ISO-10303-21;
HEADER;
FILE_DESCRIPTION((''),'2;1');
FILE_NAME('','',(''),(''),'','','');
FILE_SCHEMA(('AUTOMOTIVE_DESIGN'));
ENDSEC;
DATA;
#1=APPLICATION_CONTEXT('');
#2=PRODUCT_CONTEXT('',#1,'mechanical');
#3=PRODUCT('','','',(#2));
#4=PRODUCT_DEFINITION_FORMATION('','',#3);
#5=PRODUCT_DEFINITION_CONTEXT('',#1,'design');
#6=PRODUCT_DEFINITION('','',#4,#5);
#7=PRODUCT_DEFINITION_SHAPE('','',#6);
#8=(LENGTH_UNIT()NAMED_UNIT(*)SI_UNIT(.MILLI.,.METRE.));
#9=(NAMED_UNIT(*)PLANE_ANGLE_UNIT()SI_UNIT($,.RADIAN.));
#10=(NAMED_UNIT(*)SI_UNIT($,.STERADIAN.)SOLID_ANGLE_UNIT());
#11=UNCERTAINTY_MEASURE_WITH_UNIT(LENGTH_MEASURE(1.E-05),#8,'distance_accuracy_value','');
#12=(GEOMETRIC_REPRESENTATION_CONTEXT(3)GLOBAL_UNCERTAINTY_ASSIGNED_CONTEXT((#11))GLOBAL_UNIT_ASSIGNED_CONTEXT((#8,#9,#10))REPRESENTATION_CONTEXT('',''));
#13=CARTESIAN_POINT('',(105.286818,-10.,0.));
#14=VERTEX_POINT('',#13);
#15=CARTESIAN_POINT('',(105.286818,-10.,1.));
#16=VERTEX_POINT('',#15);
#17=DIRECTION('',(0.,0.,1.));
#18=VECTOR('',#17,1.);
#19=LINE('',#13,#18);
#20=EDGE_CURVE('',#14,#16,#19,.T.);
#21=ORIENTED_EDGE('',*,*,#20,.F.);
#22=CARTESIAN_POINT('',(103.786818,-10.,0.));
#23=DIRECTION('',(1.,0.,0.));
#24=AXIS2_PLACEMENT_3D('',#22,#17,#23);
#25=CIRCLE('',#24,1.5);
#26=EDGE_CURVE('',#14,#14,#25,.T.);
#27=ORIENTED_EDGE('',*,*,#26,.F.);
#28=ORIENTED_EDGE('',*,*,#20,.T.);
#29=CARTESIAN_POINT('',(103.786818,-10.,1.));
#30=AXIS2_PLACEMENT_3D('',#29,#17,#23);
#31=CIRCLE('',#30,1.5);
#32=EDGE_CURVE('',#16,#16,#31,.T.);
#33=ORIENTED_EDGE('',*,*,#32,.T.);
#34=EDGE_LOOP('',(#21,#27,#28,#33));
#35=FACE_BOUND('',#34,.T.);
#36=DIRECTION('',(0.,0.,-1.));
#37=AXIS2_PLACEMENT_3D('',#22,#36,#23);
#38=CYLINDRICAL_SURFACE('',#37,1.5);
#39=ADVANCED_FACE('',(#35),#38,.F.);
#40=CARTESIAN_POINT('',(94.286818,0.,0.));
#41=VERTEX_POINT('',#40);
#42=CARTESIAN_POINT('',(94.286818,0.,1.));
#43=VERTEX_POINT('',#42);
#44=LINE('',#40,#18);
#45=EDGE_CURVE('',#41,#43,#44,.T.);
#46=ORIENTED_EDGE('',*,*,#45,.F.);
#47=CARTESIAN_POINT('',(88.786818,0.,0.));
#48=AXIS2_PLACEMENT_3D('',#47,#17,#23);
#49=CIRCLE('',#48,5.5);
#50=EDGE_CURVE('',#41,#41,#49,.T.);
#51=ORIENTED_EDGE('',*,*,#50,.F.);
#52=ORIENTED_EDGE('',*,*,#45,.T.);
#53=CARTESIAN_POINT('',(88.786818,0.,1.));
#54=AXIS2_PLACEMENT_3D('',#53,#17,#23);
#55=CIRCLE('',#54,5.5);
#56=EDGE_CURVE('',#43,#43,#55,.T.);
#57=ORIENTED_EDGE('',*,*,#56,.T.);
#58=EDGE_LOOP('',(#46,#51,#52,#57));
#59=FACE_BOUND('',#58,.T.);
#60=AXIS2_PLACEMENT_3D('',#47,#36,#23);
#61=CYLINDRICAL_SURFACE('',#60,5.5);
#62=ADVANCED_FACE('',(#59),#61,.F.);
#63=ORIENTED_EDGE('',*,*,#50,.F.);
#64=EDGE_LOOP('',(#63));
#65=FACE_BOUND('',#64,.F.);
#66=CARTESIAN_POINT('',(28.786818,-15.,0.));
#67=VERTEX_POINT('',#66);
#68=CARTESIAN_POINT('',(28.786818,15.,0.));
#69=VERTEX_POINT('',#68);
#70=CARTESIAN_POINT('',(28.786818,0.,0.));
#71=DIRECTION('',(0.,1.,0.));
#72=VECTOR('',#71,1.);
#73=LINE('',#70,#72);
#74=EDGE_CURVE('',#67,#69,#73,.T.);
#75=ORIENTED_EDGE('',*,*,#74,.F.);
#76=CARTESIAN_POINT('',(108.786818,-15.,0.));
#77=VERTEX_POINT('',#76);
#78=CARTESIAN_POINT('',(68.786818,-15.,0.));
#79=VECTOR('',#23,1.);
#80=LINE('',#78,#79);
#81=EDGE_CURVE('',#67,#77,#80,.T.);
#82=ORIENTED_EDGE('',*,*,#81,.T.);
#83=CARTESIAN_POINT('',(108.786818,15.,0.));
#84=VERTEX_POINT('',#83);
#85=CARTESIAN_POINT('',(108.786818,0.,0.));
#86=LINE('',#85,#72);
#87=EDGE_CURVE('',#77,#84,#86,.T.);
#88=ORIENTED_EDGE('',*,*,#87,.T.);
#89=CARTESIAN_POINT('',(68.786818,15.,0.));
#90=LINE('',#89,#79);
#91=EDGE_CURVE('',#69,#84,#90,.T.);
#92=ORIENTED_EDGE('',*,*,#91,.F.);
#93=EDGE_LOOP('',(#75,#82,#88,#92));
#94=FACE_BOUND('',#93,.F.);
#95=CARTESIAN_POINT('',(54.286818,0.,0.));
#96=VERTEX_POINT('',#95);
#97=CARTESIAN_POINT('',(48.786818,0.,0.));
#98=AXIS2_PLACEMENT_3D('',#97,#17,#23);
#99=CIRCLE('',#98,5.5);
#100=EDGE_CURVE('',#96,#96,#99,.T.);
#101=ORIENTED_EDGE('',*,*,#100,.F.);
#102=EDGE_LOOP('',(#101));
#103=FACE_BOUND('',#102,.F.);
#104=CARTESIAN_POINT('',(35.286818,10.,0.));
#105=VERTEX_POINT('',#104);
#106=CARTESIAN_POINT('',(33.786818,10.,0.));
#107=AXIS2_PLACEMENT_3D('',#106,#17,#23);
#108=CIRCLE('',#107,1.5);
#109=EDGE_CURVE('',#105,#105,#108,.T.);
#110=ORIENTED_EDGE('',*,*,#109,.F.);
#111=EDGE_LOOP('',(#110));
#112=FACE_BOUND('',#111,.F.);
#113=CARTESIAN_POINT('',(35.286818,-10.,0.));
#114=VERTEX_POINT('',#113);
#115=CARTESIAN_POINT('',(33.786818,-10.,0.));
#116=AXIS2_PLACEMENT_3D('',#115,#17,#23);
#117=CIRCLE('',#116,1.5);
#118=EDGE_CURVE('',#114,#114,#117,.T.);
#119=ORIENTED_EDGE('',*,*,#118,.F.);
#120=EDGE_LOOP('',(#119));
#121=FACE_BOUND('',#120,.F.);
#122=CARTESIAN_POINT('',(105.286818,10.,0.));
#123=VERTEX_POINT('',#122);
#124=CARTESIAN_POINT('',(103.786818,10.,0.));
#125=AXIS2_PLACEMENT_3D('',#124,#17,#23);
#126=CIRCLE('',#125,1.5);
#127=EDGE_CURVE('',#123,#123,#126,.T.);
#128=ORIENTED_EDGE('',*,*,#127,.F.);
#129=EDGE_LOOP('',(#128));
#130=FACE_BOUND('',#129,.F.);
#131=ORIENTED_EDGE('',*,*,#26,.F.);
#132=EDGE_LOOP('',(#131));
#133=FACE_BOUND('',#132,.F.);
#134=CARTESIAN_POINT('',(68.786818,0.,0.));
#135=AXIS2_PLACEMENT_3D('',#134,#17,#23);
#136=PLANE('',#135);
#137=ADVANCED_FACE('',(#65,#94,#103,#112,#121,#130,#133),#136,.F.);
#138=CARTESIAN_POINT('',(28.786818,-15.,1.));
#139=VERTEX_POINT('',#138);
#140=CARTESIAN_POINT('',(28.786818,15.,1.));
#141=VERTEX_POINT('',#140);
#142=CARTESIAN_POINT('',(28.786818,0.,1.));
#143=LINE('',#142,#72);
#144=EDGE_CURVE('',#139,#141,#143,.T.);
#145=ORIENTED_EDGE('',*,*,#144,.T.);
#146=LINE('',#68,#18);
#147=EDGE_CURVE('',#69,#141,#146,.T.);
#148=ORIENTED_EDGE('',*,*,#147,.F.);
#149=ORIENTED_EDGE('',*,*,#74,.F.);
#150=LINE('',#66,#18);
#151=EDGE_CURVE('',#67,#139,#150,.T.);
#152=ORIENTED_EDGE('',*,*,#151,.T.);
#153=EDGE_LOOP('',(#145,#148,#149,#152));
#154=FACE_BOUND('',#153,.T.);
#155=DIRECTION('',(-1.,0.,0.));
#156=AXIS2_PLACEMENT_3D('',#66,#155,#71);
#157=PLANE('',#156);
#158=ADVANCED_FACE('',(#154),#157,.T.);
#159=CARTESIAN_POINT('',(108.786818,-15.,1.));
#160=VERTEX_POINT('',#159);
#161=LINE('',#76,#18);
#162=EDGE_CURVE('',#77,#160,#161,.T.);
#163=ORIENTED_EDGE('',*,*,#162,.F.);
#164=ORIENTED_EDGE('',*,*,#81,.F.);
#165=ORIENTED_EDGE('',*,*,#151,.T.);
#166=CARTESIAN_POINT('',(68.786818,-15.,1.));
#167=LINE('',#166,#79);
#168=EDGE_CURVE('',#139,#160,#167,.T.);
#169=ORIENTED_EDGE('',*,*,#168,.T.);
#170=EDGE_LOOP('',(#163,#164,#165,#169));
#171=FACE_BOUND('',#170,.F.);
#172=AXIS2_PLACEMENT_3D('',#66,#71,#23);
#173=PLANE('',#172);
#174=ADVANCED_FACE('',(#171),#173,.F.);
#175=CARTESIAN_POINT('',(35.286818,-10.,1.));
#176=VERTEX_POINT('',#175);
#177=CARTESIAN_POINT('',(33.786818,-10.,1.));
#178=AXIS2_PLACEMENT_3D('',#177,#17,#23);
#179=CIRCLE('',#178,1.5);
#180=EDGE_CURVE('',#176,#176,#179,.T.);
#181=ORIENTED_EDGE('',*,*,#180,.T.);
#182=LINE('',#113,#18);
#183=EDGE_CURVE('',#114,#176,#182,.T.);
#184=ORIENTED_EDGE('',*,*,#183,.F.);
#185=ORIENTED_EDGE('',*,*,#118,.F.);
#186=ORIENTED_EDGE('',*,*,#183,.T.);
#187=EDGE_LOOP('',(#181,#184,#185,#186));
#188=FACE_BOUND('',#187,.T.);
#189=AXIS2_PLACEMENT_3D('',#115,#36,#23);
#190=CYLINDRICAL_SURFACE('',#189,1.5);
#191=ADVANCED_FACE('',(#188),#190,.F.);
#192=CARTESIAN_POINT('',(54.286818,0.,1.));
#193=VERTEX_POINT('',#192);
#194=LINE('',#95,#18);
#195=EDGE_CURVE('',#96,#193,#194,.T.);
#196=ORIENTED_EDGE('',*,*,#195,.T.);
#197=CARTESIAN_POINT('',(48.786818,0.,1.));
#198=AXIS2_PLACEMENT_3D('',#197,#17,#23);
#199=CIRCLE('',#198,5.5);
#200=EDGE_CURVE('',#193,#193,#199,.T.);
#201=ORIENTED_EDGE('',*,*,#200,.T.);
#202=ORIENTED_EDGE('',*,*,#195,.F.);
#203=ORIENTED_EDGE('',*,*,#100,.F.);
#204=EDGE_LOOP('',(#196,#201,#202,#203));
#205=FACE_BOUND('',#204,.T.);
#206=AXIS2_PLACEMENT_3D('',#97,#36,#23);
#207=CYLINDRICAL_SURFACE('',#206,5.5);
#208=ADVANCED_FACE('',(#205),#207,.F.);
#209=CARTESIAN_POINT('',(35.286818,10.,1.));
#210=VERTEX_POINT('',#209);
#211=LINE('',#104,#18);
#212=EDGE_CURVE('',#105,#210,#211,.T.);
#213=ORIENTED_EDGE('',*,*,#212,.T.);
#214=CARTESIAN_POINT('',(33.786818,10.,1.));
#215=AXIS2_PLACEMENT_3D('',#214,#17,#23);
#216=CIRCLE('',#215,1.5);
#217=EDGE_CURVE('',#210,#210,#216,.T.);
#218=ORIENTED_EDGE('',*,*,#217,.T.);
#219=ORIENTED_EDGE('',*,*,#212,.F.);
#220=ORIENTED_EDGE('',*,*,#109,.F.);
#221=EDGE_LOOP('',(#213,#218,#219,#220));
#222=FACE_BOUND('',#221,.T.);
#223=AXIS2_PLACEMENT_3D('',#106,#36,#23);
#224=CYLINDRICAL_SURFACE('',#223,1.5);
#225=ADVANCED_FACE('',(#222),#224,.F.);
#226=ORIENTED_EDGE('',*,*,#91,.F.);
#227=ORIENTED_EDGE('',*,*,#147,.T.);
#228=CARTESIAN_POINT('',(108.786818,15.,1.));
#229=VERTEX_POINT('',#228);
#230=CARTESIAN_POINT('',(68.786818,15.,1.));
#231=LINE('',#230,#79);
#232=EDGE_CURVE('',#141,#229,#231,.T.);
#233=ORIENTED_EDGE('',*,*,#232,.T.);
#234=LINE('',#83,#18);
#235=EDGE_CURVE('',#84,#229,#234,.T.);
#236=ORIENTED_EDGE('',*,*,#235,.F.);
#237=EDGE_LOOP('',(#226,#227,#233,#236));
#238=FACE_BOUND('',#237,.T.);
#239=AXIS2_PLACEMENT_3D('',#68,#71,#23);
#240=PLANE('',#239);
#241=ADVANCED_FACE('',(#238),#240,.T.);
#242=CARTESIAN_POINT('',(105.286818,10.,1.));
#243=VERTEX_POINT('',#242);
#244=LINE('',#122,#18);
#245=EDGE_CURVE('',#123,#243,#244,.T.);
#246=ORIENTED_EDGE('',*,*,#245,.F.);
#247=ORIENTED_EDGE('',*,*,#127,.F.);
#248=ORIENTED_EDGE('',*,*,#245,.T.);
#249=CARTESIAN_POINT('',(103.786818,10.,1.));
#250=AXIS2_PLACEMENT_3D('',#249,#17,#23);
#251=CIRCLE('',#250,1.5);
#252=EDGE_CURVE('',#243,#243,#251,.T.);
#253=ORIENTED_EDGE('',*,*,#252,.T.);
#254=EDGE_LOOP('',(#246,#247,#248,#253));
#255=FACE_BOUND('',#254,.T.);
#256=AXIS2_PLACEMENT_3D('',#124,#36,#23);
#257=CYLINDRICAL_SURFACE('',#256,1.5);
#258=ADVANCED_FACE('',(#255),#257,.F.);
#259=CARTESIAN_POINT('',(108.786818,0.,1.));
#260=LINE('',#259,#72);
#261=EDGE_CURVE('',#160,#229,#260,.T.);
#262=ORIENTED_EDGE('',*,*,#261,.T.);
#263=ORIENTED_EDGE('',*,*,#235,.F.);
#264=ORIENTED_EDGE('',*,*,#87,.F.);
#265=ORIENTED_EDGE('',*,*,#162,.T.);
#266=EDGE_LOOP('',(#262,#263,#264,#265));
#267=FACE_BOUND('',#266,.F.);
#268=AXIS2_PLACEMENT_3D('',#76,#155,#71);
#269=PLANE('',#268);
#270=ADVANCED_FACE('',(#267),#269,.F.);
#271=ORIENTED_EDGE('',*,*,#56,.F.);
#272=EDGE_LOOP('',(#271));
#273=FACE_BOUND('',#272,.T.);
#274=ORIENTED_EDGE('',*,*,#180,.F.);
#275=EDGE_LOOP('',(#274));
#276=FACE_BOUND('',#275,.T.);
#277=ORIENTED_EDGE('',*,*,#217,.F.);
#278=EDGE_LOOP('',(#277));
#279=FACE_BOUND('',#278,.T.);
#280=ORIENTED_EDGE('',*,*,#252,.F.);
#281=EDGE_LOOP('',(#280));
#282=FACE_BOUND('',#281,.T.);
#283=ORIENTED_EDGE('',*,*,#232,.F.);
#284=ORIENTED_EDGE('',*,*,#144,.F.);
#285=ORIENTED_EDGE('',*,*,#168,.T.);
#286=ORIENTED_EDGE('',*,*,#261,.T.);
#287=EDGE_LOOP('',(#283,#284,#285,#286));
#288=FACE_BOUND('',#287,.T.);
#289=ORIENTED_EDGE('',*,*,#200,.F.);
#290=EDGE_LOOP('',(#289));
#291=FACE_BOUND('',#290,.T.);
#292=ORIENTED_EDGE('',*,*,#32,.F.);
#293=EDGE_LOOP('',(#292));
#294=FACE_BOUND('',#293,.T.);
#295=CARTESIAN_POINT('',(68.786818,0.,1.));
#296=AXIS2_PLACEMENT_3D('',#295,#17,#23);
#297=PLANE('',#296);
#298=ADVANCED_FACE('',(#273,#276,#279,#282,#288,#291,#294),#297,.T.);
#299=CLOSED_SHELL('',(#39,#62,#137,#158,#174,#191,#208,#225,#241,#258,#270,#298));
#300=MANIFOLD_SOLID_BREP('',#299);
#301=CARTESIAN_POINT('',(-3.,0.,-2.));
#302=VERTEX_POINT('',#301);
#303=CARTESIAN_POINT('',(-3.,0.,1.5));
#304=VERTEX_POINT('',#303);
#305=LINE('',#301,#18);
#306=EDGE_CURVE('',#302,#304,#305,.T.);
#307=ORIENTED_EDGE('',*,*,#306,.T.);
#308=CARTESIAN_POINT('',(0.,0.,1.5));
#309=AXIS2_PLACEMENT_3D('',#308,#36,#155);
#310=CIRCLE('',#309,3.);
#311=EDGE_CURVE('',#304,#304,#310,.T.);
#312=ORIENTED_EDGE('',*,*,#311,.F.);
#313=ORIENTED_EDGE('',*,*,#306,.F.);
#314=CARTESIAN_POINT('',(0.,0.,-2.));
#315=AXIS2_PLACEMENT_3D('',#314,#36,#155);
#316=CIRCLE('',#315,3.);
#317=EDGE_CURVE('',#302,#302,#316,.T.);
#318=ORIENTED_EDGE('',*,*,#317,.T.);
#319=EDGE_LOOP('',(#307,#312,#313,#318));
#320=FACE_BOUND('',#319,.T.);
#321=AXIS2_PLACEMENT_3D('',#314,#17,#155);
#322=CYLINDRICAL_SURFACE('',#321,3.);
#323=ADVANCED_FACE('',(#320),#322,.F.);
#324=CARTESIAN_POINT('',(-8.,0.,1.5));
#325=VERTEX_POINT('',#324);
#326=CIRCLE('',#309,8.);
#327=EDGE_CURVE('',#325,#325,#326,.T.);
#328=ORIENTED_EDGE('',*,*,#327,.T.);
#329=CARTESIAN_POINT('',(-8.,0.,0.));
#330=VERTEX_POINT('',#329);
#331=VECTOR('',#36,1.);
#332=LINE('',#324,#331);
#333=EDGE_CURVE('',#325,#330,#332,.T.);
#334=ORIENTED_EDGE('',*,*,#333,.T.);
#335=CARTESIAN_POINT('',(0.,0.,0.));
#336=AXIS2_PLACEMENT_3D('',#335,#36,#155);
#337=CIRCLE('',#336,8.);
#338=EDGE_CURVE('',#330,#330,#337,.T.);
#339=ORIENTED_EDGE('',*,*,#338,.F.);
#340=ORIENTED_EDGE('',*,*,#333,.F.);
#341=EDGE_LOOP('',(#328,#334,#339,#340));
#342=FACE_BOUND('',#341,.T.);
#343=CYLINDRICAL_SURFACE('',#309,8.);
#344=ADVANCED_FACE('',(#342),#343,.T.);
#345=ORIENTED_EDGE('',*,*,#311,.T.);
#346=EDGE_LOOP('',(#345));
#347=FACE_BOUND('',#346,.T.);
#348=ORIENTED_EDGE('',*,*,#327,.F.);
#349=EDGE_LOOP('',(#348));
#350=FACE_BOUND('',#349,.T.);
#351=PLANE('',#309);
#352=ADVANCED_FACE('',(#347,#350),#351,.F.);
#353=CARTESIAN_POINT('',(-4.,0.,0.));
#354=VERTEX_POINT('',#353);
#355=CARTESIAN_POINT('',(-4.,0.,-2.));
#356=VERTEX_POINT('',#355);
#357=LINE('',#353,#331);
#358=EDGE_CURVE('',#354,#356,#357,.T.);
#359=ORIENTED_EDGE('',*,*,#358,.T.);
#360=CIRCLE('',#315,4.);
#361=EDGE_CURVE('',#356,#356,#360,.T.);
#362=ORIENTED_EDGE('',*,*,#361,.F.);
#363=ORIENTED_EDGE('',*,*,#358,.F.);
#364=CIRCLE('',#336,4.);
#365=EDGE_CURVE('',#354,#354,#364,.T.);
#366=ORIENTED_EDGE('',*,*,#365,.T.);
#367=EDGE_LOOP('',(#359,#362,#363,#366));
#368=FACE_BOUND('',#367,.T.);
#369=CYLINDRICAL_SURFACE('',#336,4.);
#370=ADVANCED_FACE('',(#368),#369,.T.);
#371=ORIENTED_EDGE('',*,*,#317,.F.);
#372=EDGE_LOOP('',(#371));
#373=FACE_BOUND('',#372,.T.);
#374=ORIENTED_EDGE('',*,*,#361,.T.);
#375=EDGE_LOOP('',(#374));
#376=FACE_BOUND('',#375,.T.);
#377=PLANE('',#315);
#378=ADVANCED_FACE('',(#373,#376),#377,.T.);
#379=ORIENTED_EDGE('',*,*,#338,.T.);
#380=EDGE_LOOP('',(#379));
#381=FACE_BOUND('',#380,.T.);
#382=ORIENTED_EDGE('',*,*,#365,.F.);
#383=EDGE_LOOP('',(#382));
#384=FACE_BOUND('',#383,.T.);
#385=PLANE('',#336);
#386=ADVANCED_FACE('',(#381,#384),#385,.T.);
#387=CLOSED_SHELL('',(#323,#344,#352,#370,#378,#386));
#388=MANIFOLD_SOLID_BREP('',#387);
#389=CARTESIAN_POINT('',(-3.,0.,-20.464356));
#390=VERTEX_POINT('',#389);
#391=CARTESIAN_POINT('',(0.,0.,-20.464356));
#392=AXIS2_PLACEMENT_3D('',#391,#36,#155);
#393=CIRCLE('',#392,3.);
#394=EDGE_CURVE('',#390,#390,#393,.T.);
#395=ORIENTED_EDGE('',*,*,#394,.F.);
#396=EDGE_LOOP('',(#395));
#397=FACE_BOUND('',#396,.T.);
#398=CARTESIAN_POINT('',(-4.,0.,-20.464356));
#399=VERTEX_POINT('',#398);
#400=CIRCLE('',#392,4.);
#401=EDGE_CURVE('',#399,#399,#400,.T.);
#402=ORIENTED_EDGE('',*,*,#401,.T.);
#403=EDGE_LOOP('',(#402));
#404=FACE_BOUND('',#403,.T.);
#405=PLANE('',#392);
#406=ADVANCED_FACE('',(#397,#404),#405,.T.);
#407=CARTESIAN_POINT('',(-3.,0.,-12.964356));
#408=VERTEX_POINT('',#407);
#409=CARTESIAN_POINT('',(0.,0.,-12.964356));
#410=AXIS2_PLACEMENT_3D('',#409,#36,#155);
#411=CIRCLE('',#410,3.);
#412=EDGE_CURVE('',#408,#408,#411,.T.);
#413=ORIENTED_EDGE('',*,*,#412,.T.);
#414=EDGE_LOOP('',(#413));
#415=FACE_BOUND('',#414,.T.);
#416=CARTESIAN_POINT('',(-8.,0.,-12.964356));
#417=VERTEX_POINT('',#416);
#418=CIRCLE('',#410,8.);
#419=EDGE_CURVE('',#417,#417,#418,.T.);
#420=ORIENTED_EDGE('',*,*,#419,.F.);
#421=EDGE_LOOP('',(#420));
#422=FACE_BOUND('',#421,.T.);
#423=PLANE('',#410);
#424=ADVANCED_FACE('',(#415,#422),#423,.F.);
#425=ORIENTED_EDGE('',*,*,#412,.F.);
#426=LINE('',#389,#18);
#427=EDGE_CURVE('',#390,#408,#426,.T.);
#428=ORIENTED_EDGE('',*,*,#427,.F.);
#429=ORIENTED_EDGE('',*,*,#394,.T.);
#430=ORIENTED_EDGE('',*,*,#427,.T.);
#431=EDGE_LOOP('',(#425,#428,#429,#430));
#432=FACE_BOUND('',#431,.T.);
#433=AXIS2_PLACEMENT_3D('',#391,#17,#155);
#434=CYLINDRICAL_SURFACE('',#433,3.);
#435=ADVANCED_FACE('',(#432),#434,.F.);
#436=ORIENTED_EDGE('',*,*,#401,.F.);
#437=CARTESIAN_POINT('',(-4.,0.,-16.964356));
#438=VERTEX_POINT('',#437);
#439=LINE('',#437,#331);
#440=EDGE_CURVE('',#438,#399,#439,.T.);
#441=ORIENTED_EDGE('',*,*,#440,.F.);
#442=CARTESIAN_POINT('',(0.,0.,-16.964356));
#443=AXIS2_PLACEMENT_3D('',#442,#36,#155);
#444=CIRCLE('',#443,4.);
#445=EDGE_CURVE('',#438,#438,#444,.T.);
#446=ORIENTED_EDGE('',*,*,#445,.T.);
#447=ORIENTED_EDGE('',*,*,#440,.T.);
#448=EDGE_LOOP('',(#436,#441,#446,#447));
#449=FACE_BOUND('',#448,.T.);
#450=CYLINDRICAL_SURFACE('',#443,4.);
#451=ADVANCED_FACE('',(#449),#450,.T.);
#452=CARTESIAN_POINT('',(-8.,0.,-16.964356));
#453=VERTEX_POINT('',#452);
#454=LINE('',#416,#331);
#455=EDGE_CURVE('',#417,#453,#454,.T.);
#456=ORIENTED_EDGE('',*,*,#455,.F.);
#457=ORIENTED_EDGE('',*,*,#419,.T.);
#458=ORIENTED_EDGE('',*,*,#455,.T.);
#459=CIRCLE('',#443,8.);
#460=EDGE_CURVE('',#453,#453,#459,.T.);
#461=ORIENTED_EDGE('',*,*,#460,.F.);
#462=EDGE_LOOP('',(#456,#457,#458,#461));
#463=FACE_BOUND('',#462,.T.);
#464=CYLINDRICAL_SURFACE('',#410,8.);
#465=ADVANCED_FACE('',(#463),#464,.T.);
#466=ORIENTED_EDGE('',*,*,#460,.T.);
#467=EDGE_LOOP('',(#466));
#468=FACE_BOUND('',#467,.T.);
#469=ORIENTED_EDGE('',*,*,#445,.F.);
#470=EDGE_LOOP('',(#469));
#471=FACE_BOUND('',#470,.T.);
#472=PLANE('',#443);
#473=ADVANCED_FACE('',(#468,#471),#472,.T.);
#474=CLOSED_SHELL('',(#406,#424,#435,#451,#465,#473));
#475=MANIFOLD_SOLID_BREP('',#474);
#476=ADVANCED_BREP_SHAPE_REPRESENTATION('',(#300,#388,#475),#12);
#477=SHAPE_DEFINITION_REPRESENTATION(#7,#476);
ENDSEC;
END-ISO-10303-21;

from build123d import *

# Parameters (mm, degrees)
F2_W     = 80
F2_H     = 30
F2_R     = 1.5
F2_R_2   = 5.5
F3_DEPTH = 1


with BuildPart() as f1:
    # F0 (on Front) → F1 (revolve)
    with BuildSketch(Plane.XZ):
        Polygon((-3, -2), (-3, 1.5), (-8, 1.5), (-8, 0), (-4, 0), (-4, -2), align=None)
    revolve(axis=Axis((0, 0, 2.077047), (0, 0, -1)))


with BuildPart() as f3:
    # F2 (on Top) → F3 (new body)
    with BuildSketch(Plane.XY):
        with Locations((68.786818, 0)):
            Rectangle(F2_W, F2_H)
        with Locations((33.786818, -10)):
            Circle(F2_R, mode=Mode.SUBTRACT)
        with Locations((103.786818, -10)):
            Circle(F2_R, mode=Mode.SUBTRACT)
        with Locations((48.786818, 0)):
            Circle(F2_R_2, mode=Mode.SUBTRACT)
        with Locations((33.786818, 10)):
            Circle(F2_R, mode=Mode.SUBTRACT)
        with Locations((88.786818, 0)):
            Circle(F2_R_2, mode=Mode.SUBTRACT)
        with Locations((103.786818, 10)):
            Circle(F2_R, mode=Mode.SUBTRACT)
    extrude(amount=F3_DEPTH)


with BuildPart() as f5:
    # F4 (on Front) → F5 (revolve)
    with BuildSketch(Plane.XZ):
        Polygon((-3, -20.464356), (-3, -12.964356), (-8, -12.964356), (-8, -16.964356), (-4, -16.964356), (-4, -20.464356), align=None)
    revolve(axis=Axis((0, 0, -17.545227), (0, 0, -1)))


solid = Compound([f1.part, f3.part, f5.part])
